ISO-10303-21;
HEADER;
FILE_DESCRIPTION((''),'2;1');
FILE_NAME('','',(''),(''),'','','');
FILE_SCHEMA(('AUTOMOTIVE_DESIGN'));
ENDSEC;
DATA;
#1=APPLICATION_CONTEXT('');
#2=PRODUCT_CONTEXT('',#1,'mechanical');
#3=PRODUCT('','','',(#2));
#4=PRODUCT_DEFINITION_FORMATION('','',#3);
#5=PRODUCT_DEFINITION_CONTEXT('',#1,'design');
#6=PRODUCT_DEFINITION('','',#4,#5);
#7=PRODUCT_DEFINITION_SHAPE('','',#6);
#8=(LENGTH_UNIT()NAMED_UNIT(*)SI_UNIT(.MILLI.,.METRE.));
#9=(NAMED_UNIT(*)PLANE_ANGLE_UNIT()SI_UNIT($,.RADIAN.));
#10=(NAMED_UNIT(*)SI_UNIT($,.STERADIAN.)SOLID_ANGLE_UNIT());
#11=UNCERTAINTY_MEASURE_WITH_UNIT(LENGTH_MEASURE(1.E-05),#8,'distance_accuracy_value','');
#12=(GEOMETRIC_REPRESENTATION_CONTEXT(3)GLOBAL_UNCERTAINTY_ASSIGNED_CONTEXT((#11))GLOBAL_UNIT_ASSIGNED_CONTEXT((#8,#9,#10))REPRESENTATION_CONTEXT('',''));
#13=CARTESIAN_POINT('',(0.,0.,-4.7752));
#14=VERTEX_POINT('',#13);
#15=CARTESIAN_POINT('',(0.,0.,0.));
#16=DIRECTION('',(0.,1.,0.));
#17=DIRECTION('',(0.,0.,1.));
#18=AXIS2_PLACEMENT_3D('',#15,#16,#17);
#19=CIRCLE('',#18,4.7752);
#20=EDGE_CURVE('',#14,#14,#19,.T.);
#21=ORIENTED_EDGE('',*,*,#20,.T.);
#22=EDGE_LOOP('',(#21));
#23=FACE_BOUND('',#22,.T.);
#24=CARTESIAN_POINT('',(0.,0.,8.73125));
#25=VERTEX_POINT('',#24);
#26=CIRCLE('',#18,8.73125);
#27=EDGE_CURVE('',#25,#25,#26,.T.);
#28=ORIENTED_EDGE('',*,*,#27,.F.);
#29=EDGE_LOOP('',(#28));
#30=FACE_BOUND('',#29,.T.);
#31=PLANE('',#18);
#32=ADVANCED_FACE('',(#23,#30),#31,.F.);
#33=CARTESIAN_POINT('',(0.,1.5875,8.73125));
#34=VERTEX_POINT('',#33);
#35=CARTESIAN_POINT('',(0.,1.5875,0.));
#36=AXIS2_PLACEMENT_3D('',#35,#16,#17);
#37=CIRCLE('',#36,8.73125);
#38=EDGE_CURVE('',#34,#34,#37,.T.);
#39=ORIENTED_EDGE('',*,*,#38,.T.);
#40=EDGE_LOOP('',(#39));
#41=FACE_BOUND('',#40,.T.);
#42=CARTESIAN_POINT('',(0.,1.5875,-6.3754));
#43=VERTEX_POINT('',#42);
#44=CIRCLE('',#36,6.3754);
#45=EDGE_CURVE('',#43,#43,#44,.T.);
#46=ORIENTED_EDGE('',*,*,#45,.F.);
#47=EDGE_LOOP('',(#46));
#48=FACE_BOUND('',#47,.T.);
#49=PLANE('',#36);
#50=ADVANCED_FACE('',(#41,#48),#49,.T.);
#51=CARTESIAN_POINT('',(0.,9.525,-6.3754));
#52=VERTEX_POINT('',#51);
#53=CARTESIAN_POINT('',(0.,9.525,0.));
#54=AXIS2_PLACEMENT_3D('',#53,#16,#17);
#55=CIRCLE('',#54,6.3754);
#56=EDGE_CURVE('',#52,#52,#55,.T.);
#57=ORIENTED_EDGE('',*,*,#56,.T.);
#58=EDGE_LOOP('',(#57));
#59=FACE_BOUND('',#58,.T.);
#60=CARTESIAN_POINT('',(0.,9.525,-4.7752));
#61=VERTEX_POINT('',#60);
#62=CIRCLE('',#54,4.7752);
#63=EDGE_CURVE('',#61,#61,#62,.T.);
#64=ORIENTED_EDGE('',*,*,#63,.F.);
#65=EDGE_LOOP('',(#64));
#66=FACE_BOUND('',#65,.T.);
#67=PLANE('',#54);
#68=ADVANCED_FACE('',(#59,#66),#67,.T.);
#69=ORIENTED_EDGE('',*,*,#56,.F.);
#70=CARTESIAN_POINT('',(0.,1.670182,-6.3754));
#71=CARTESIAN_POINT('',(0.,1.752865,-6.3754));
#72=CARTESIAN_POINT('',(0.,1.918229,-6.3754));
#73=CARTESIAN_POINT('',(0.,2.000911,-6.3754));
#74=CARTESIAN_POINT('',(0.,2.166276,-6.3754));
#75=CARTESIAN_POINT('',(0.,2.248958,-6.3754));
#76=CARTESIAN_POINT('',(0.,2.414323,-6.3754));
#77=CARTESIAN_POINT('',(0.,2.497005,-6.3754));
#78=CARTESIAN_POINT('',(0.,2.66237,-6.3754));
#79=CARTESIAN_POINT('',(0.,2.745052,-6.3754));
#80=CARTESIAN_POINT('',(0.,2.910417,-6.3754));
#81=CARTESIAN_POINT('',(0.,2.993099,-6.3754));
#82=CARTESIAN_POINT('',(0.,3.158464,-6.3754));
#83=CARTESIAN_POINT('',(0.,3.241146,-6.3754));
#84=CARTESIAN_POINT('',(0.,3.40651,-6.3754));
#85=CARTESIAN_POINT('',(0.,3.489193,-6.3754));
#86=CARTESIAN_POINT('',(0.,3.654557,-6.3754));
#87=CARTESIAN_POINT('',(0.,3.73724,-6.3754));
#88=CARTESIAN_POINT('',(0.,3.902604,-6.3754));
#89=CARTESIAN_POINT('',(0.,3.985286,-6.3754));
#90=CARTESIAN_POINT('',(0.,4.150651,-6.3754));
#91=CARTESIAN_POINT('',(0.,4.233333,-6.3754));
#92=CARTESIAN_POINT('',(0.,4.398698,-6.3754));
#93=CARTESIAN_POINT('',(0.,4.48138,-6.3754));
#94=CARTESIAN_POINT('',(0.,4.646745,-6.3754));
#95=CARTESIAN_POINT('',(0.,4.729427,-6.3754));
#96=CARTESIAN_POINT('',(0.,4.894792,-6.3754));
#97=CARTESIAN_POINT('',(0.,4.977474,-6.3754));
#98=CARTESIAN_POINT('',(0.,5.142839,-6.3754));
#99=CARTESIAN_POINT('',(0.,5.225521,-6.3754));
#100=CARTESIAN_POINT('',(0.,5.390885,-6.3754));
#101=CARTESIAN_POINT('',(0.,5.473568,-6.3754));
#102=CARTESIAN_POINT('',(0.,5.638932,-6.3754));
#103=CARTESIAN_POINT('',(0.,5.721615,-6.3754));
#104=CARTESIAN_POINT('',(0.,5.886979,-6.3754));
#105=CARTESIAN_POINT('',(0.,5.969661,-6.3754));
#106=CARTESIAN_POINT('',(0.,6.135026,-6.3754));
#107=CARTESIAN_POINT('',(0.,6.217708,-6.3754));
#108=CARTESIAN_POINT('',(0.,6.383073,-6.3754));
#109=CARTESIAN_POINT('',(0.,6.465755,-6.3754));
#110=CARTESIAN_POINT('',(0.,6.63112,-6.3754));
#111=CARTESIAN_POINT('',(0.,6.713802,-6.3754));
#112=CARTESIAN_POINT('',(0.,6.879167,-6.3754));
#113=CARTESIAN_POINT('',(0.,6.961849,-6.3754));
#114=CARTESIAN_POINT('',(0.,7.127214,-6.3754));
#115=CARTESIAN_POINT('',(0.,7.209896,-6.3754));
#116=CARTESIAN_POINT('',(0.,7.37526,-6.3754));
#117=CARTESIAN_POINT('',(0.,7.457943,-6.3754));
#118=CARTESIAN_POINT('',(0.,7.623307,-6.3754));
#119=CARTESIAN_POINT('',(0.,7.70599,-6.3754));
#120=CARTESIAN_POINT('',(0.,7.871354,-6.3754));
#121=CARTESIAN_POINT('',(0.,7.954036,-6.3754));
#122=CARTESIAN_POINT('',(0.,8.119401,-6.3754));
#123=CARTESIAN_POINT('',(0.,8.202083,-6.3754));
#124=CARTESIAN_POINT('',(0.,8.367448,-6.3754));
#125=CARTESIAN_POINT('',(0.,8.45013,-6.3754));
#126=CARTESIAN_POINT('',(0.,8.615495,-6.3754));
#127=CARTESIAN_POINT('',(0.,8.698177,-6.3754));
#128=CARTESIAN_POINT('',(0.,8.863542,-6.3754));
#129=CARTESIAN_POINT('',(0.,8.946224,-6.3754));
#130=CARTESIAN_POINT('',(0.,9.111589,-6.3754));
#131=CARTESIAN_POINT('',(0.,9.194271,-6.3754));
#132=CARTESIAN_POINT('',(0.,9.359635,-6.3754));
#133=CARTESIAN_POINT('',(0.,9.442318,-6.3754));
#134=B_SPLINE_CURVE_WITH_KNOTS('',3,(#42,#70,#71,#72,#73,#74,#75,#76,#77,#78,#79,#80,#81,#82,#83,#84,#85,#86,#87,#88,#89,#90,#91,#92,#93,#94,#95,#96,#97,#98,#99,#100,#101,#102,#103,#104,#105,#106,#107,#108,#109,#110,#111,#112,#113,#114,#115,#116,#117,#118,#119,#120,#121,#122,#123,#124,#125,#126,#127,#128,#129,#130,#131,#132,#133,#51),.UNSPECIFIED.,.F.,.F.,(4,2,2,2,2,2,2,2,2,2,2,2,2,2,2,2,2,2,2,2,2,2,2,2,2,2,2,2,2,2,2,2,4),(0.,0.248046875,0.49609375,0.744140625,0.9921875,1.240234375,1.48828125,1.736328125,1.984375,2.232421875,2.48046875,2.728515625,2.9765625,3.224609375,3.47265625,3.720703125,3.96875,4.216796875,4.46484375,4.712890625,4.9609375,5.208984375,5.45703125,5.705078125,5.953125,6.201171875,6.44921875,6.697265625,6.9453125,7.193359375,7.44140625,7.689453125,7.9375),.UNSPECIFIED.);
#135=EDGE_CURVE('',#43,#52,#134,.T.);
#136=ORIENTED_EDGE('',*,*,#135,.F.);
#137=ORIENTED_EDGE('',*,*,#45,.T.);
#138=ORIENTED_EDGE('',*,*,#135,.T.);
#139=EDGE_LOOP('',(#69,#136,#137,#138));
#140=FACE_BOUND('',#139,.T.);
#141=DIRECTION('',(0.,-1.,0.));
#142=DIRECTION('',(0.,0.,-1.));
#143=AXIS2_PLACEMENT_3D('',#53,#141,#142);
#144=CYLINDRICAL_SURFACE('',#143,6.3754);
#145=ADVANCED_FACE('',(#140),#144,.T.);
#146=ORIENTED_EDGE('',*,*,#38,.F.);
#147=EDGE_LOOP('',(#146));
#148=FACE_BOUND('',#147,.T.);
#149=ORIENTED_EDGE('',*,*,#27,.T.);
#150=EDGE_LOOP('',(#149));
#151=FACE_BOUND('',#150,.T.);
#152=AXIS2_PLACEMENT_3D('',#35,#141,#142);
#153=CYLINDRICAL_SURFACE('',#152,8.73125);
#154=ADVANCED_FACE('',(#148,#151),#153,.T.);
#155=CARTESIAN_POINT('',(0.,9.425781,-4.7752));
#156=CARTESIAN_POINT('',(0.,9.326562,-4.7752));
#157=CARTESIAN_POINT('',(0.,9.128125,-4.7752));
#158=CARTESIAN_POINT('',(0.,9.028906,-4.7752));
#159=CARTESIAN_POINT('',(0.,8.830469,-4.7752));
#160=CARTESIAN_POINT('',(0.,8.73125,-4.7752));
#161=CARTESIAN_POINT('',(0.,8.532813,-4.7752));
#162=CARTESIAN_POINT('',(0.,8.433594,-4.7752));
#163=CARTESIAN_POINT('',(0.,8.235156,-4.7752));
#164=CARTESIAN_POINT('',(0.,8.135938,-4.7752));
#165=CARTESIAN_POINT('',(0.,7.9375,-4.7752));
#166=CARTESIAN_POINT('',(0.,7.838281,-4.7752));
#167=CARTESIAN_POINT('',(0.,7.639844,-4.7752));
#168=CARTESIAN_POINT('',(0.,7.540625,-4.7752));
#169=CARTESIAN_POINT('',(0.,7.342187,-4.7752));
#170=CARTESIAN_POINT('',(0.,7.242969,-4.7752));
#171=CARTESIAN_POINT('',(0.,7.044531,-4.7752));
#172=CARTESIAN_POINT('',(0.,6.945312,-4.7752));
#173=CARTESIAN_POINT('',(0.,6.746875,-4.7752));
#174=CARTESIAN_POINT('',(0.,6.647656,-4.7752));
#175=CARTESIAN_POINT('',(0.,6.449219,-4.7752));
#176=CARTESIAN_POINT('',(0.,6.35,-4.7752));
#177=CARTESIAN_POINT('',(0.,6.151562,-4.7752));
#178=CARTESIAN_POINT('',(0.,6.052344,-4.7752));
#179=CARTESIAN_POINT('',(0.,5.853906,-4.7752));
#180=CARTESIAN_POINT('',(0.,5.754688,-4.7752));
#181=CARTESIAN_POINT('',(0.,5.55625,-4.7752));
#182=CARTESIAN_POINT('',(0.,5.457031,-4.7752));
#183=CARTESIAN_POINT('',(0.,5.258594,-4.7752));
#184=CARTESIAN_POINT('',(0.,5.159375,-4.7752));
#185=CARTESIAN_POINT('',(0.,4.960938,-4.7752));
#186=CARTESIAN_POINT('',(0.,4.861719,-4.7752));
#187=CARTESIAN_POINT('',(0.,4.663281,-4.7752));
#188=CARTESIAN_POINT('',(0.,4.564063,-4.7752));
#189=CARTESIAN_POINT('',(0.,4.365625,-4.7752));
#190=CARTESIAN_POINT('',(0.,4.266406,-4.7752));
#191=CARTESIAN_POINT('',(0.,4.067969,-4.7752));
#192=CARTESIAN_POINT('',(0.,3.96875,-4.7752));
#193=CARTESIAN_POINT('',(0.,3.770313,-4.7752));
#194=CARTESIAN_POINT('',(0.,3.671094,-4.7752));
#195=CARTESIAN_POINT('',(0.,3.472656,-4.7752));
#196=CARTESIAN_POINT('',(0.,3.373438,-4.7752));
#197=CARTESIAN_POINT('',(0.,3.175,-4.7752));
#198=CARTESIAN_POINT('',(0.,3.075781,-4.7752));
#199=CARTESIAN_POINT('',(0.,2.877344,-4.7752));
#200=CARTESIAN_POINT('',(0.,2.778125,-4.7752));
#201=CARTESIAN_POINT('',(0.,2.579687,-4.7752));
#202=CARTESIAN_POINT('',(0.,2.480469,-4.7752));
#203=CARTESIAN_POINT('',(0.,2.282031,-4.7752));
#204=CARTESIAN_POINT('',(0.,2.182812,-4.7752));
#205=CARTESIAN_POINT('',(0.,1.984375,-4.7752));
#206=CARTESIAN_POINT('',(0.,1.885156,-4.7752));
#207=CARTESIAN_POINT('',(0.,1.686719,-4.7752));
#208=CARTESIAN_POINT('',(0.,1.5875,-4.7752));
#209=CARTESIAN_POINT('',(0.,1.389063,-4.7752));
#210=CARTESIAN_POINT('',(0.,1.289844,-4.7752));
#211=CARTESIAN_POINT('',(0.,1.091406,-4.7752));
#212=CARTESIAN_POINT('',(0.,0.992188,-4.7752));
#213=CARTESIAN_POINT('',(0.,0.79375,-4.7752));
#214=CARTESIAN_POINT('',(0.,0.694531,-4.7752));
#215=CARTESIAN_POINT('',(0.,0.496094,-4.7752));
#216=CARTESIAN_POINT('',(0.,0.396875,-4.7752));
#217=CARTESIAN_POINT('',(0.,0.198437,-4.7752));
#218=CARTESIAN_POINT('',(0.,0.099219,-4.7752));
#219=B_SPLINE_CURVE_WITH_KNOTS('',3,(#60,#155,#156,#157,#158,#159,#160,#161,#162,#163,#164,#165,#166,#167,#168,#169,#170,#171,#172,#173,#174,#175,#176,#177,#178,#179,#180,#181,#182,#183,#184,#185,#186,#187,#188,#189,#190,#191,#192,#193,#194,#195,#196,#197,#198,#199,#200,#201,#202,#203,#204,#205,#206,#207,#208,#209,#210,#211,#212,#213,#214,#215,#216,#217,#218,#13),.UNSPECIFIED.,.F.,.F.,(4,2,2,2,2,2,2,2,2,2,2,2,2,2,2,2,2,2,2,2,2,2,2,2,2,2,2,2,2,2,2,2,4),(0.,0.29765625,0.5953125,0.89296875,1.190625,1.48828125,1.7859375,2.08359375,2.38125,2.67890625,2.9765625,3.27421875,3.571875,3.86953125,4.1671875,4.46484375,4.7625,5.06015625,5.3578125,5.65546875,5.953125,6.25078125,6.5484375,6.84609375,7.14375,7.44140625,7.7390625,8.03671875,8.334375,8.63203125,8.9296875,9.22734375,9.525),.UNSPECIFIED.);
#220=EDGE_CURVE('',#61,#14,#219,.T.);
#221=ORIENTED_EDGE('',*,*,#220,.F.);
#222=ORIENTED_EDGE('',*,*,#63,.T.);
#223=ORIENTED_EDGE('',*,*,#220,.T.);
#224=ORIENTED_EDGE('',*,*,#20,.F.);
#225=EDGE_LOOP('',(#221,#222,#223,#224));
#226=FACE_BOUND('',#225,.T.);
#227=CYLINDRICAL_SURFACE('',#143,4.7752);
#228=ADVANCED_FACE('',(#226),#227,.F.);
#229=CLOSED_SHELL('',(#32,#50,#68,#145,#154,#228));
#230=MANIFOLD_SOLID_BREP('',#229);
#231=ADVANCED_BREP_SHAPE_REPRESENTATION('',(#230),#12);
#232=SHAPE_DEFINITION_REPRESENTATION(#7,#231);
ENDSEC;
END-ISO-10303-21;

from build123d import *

# Parameters (mm, degrees)
SKETCH2_R           = 6.3754
SKETCH2_R_2         = 4.7752
BOSS_EXTRUDE1_DEPTH = 9.525
SKETCH3_R           = 8.73125
SKETCH3_R_2         = 6.3754
BOSS_EXTRUDE2_DEPTH = 1.5875


with BuildPart() as part:
    # Sketch2 → Boss-Extrude1 (new body)
    with BuildSketch(Plane(origin=(0, 0, 0), x_dir=(1, 0, 0), z_dir=(0, 1, 0))):
        with Locations(Location((0, 0, 0), (0, 0, 90))):
            Circle(SKETCH2_R)
        with Locations(Location((0, 0, 0), (0, 0, 90))):
            Circle(SKETCH2_R_2, mode=Mode.SUBTRACT)
    extrude(amount=BOSS_EXTRUDE1_DEPTH)

    # Sketch3 → Boss-Extrude2 (add)
    with BuildSketch(Plane(origin=(0, 0, 0), x_dir=(1, 0, 0), z_dir=(0, 1, 0))):
        with Locations(Location((0, 0, 0), (0, 0, 270))):
            Circle(SKETCH3_R)
        with Locations(Location((0, 0, 0), (0, 0, 90))):
            Circle(SKETCH3_R_2, mode=Mode.SUBTRACT)
    extrude(amount=BOSS_EXTRUDE2_DEPTH)


solid = part.part
